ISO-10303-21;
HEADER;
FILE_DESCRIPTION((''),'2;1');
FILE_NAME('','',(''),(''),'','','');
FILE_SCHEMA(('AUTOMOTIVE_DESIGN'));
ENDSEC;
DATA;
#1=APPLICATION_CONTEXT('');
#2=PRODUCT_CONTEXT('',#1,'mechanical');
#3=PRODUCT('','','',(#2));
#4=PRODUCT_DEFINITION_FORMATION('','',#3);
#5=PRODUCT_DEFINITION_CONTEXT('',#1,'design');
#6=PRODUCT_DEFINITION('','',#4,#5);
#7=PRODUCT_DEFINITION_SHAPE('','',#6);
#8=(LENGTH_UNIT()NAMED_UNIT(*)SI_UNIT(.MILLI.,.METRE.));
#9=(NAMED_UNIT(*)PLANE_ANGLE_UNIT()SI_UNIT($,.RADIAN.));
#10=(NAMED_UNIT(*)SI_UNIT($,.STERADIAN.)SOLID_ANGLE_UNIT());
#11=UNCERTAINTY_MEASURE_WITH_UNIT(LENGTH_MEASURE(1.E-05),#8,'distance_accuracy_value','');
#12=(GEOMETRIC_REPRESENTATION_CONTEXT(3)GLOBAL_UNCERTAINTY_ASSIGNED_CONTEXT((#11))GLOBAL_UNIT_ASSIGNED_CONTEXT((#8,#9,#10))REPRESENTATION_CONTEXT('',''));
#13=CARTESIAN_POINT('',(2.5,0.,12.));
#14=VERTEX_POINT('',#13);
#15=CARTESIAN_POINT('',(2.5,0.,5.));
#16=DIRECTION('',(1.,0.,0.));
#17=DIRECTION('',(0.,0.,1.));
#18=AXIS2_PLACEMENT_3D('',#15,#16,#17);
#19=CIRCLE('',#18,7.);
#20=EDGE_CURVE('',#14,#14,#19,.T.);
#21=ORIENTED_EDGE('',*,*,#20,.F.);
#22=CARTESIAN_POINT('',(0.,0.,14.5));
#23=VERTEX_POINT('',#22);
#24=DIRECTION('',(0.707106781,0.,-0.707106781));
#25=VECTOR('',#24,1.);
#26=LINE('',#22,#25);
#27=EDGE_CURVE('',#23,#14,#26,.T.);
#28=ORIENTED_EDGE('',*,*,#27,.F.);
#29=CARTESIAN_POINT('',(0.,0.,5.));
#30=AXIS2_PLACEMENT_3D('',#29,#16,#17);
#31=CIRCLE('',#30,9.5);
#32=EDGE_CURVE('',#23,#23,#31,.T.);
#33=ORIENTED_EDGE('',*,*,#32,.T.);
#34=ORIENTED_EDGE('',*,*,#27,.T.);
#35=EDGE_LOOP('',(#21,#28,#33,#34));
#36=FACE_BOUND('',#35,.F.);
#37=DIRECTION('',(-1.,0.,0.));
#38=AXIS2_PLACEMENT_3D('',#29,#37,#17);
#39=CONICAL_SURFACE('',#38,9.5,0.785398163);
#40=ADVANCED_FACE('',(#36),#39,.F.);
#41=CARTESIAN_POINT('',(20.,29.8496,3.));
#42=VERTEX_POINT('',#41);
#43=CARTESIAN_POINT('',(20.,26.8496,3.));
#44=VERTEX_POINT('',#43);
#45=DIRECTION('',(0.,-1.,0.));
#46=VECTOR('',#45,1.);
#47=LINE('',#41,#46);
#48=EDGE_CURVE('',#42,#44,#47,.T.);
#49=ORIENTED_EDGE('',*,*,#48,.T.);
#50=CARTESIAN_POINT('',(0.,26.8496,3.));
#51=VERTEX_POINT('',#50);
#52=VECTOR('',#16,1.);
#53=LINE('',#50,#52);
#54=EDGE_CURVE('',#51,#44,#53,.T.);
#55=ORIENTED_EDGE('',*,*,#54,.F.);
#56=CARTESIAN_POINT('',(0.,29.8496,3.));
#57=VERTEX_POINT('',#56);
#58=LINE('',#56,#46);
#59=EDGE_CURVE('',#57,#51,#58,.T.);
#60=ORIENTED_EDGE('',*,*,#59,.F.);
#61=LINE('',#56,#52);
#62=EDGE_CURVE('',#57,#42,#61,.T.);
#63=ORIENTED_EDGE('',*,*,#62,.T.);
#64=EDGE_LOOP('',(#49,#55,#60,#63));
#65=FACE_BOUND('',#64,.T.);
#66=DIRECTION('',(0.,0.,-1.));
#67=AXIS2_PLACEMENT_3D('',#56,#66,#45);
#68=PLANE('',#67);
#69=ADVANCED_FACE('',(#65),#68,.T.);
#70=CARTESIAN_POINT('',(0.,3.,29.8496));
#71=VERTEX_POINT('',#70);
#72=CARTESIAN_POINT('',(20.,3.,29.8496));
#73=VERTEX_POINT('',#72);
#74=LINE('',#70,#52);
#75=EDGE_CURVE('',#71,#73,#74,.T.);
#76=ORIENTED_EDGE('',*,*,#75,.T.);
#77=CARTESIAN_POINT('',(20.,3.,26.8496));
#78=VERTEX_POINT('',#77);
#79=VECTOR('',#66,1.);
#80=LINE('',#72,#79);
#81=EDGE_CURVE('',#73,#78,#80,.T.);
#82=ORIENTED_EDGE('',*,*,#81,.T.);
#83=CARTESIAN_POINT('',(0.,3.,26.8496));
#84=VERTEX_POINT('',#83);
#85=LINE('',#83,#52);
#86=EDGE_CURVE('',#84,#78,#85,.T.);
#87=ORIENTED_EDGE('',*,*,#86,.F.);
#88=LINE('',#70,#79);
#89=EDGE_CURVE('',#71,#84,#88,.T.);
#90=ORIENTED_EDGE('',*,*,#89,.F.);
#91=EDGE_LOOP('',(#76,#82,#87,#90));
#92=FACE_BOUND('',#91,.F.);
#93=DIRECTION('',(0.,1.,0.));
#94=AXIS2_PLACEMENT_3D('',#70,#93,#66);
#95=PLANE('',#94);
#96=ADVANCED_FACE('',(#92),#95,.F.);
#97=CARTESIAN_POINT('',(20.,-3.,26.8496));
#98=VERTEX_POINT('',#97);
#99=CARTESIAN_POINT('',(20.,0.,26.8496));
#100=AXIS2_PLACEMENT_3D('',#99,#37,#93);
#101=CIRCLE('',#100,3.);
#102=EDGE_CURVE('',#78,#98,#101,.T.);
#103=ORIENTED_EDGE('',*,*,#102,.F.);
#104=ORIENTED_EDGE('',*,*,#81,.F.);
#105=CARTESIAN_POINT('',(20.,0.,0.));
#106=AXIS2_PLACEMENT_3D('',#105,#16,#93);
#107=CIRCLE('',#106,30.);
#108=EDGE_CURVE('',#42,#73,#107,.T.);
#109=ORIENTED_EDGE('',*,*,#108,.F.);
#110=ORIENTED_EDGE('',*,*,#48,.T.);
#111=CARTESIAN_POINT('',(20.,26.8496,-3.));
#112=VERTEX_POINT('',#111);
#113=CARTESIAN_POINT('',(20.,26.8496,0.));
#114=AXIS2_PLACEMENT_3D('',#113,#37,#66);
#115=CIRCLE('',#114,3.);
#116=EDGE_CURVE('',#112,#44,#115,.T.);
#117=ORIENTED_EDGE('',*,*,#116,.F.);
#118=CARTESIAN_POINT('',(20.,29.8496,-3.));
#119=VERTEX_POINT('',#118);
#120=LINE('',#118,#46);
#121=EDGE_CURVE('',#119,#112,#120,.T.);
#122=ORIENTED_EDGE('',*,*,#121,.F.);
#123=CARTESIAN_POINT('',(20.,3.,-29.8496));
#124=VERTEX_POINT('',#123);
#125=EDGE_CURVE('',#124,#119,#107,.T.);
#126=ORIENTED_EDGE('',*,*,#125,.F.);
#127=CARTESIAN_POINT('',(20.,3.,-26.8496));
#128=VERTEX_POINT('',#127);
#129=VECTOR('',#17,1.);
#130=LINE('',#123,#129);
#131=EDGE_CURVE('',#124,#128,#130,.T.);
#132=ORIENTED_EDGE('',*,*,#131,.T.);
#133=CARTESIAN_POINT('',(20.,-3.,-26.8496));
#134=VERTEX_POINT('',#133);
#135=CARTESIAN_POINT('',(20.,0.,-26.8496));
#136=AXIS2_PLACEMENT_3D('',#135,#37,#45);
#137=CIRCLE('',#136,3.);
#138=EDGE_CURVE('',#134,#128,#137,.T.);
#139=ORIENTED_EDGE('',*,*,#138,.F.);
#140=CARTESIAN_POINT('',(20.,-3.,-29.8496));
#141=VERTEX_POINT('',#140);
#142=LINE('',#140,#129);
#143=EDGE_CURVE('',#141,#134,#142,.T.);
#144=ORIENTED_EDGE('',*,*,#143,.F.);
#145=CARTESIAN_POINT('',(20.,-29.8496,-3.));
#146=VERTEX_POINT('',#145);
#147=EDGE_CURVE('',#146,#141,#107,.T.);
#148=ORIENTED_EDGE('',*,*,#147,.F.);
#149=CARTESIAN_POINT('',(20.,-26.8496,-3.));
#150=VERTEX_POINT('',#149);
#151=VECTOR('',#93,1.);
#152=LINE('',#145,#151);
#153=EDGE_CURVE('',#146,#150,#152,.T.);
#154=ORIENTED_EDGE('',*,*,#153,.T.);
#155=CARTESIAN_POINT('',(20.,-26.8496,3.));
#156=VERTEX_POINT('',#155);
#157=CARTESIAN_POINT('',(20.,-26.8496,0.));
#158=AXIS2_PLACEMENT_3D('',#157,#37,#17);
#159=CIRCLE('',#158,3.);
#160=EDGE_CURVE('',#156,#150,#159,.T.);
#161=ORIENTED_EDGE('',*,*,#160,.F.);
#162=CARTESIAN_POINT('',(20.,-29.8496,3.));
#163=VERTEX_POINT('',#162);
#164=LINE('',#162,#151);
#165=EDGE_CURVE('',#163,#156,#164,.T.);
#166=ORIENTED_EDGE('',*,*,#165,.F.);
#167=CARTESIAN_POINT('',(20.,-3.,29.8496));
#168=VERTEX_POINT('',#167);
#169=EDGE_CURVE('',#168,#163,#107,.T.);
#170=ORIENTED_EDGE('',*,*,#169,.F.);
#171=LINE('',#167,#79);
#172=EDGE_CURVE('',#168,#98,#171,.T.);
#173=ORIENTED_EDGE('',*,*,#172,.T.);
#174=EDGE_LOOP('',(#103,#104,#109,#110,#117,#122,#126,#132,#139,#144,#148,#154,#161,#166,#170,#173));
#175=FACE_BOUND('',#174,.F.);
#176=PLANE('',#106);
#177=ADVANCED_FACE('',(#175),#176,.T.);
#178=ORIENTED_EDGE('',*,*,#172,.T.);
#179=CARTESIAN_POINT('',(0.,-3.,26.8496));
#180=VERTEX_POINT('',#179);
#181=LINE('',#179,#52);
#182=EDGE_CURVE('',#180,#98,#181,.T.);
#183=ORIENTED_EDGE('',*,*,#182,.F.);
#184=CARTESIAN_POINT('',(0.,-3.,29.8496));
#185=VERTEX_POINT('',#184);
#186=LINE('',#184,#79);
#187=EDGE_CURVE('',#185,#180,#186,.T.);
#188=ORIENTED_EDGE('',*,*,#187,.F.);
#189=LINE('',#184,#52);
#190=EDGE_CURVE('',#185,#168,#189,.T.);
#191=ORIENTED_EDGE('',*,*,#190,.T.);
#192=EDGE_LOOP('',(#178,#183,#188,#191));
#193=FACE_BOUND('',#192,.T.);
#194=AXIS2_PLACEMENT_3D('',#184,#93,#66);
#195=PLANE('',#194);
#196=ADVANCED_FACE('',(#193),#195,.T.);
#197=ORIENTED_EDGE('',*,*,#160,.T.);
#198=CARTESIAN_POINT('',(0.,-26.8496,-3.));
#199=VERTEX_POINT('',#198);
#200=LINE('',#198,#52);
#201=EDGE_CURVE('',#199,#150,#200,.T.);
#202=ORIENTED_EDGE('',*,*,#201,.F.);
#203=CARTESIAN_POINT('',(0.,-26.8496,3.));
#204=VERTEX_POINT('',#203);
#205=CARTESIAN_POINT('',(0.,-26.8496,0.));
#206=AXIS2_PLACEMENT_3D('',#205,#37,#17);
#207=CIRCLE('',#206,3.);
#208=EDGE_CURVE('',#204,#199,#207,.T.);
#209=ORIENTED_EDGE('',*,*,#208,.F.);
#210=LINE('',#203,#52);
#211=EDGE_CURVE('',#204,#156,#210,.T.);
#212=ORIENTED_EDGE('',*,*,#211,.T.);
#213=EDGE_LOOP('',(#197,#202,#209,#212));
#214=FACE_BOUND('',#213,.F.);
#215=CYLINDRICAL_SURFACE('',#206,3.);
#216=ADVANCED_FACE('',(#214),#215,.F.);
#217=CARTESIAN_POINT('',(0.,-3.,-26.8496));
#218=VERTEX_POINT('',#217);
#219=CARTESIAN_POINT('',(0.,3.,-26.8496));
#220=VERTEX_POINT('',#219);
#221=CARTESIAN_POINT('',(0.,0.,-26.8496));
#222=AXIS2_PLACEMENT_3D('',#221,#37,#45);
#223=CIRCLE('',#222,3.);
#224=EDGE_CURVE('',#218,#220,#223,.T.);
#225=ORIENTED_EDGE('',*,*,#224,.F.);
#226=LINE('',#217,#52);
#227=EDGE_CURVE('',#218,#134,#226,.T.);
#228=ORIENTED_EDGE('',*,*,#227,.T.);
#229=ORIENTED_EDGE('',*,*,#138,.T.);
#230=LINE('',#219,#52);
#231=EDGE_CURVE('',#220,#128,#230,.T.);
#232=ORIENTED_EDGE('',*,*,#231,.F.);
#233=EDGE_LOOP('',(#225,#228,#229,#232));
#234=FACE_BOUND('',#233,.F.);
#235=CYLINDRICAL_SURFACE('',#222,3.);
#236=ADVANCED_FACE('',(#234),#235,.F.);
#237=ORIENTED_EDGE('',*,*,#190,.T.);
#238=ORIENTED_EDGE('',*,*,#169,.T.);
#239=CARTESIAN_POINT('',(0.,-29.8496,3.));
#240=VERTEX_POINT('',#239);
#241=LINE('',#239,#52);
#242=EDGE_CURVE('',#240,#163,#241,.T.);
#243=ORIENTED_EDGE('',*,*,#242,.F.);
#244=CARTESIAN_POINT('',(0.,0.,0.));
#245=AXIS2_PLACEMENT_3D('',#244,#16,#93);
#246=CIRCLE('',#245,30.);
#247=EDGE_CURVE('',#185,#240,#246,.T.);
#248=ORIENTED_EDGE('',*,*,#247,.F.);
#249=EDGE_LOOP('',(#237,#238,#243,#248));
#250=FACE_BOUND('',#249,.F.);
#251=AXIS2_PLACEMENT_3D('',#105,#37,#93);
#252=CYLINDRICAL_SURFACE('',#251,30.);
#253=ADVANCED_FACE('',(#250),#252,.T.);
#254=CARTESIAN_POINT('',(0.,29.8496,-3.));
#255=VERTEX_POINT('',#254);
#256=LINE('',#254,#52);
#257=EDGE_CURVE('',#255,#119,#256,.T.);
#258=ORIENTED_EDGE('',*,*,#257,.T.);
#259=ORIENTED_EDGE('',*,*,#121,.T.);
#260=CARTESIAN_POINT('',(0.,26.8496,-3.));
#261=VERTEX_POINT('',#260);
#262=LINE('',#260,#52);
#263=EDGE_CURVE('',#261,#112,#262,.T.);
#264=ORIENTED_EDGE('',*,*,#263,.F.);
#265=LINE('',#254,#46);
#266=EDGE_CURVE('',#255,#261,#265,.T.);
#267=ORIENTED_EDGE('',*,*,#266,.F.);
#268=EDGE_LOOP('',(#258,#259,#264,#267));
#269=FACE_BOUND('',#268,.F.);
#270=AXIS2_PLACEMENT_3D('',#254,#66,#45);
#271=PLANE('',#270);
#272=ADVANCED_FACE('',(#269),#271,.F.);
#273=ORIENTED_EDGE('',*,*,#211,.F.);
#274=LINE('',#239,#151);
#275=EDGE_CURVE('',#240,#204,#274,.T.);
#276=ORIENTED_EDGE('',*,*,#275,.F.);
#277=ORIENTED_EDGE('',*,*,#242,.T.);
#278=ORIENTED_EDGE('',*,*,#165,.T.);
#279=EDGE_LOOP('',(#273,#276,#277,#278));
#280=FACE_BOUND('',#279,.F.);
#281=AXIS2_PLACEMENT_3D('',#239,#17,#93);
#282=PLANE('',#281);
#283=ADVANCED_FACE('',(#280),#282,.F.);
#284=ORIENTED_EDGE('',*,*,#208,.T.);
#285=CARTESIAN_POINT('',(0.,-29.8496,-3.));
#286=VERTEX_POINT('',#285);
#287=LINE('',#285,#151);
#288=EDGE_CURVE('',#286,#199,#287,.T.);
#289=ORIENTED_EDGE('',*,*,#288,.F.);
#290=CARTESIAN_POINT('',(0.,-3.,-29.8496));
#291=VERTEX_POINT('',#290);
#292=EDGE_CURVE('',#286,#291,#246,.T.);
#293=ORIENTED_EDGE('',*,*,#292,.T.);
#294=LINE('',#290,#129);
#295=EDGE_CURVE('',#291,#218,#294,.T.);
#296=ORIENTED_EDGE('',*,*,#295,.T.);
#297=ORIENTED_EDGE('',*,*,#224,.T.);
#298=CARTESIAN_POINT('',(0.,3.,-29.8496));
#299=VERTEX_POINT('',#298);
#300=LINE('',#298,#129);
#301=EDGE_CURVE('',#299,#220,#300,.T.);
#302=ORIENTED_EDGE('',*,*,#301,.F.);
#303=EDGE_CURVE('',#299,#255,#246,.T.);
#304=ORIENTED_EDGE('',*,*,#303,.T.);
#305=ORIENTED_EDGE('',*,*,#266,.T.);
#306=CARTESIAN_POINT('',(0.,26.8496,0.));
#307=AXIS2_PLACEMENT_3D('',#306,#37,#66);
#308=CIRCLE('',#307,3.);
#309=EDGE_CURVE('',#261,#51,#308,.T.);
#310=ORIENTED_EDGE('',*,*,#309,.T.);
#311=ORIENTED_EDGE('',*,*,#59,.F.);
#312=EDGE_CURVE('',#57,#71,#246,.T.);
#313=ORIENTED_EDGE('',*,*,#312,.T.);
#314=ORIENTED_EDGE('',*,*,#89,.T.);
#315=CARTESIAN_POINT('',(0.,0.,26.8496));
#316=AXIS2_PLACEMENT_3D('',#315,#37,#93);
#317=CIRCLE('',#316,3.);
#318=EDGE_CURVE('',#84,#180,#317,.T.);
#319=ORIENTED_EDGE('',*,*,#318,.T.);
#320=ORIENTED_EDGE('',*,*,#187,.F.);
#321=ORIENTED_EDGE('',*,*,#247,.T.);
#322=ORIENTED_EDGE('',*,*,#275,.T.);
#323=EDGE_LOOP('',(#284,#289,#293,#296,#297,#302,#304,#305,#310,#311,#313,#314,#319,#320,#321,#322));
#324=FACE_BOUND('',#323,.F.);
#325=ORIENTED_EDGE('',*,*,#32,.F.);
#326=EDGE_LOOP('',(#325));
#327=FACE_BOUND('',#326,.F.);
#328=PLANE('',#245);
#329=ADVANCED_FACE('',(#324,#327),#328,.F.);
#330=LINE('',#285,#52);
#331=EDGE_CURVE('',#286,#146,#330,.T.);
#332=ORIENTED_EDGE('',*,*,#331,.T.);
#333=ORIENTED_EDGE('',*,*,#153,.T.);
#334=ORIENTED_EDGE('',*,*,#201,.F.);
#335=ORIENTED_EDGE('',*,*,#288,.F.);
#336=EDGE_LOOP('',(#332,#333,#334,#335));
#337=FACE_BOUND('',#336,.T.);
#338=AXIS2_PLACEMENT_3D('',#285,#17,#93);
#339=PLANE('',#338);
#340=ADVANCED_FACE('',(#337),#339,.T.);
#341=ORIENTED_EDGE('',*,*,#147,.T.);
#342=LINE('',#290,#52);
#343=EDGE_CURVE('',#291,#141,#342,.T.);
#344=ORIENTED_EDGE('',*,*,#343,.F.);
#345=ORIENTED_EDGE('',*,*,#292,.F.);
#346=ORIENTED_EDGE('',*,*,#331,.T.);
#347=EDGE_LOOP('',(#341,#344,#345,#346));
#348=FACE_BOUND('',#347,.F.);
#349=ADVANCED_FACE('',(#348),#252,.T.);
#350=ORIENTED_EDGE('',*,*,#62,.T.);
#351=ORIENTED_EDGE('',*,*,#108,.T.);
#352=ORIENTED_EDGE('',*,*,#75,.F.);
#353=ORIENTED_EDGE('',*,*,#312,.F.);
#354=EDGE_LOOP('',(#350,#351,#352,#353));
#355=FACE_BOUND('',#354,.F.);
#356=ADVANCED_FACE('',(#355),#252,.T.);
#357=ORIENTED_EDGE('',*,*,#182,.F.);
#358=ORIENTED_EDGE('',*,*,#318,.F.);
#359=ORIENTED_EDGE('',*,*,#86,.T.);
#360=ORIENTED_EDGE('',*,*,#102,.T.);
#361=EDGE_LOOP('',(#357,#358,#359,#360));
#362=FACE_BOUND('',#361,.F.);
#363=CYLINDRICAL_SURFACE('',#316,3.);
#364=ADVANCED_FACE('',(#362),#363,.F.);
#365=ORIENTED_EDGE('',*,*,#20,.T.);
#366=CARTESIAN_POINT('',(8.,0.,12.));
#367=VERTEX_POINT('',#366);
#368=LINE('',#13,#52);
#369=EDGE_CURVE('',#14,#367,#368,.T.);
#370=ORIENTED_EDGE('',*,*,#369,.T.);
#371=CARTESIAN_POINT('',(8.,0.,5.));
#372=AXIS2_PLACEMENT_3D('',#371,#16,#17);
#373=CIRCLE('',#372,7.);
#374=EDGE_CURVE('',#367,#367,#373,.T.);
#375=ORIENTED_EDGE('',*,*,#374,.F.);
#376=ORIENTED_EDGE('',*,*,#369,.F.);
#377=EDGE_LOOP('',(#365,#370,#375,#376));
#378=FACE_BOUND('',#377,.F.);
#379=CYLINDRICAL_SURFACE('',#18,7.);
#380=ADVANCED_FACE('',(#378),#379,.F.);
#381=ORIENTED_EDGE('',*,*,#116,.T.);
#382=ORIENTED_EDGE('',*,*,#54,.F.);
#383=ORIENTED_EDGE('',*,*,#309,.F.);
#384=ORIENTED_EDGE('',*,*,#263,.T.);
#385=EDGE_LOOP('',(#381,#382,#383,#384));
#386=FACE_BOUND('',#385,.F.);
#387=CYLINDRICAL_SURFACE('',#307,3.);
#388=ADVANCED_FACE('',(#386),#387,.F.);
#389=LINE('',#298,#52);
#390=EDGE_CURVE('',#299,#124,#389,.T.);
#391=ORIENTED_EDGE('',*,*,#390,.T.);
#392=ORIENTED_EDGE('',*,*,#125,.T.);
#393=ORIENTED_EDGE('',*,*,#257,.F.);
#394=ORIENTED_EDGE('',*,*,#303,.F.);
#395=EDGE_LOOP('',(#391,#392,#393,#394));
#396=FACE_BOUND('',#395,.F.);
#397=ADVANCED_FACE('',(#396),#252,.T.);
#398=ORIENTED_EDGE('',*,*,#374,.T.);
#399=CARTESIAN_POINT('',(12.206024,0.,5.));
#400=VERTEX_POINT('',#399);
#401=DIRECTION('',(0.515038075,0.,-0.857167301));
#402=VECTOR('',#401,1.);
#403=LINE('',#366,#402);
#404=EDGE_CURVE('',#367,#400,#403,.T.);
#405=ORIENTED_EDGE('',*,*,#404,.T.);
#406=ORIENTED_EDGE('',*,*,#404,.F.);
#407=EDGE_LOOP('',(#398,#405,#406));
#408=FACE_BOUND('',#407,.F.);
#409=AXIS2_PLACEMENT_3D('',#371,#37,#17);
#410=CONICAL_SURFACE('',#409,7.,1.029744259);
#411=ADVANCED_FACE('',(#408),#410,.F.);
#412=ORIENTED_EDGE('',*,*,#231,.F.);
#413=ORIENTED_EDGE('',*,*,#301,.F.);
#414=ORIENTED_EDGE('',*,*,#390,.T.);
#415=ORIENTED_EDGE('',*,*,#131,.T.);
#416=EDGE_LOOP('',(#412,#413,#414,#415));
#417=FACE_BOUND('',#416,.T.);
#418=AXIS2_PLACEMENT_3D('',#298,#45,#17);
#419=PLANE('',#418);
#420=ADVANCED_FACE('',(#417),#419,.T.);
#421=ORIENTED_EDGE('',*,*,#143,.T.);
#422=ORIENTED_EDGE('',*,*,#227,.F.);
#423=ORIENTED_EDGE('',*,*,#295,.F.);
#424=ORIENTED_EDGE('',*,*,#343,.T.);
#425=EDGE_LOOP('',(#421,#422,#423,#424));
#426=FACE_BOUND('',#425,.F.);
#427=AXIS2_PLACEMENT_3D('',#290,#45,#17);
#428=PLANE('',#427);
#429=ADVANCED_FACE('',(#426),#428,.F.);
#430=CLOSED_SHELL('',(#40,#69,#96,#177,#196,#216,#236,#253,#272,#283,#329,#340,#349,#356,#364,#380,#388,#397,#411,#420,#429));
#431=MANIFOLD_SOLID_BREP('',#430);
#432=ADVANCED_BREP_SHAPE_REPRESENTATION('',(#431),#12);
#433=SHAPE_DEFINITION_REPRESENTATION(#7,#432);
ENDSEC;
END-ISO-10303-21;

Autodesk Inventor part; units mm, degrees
ref_plane "YZ Plane" through (0, 0, 0) normal (1, 0, 0) x (0, 1, 0)
ref_plane "XZ Plane" through (0, 0, 0) normal (0, 1, 0) x (-1, 0, 0)
ref_plane "XY Plane" through (0, 0, 0) normal (0, 0, 1) x (1, 0, 0)
sketch "Эскиз1" plane through (0, 0, 0) normal (0, 0, 1) x (1, 0, 0)
  line L0 (0, 0) -> (20, 0)
  line L1 (20, 0) -> (20, 30)
  line L2 (20, 30) -> (0, 30)
  line L3 (0, 30) -> (0, 0)
  dimension "d0" = 20
  dimension "d1" = 30
revolve "Вращение1" add sketch "Эскиз1" angle 360 about axis through (0, 0, 0) along (1, 0, 0)
sketch "Эскиз2" plane through (0, 0, 0) normal (-1, 0, 0) x (0, 0, 1)
  circle A0 centre (0, 0) radius 30 construction
  circle A1 centre (0, 0) radius 30 projected
  line L0 (-3, 29.8496) -> (-3, 26.8496)
  line L1 (3, 29.8496) -> (3, 26.8496)
  arc A2 (-3, 26.8496) -> (3, 26.8496) centre (0, 26.8496) ccw
  line L2 (-29.8496, -3) -> (-26.8496, -3)
  line L3 (-29.8496, 3) -> (-26.8496, 3)
  arc A3 (-26.8496, -3) -> (-26.8496, 3) centre (-26.8496, 0) ccw
  line L4 (3, -29.8496) -> (3, -26.8496)
  line L5 (-3, -29.8496) -> (-3, -26.8496)
  arc A4 (3, -26.8496) -> (-3, -26.8496) centre (0, -26.8496) ccw
  line L6 (29.8496, 3) -> (26.8496, 3)
  line L7 (29.8496, -3) -> (26.8496, -3)
  arc A5 (26.8496, 3) -> (26.8496, -3) centre (26.8496, 0) ccw
  dimension "d3" = 3
  dimension "d4" = 3
  dimension "d5" = 3
  dimension "d8" = 360
extrude "Выдавливание1" cut sketch "Эскиз2" against normal blind 20 contours A1 L7 A5 L6 | L1 A2 L0 A1 | A1 L5 A4 L4 | L3 A3 L2 A1
sketch "Эскиз3" plane through (0, 0, 26.8496) normal (-1, 0, 0) x (0, 0, 1)
  line L0 (-26.8496, 0) -> (-21.8496, 0) construction
  dimension "d12" = 5
hole "Отверстие1" at (0, 0, 5) direction (1, 0, 0) diameter 14 depth 8 tip angle 118 countersink diameter 19 countersink angle 90
properties part number "711114"
